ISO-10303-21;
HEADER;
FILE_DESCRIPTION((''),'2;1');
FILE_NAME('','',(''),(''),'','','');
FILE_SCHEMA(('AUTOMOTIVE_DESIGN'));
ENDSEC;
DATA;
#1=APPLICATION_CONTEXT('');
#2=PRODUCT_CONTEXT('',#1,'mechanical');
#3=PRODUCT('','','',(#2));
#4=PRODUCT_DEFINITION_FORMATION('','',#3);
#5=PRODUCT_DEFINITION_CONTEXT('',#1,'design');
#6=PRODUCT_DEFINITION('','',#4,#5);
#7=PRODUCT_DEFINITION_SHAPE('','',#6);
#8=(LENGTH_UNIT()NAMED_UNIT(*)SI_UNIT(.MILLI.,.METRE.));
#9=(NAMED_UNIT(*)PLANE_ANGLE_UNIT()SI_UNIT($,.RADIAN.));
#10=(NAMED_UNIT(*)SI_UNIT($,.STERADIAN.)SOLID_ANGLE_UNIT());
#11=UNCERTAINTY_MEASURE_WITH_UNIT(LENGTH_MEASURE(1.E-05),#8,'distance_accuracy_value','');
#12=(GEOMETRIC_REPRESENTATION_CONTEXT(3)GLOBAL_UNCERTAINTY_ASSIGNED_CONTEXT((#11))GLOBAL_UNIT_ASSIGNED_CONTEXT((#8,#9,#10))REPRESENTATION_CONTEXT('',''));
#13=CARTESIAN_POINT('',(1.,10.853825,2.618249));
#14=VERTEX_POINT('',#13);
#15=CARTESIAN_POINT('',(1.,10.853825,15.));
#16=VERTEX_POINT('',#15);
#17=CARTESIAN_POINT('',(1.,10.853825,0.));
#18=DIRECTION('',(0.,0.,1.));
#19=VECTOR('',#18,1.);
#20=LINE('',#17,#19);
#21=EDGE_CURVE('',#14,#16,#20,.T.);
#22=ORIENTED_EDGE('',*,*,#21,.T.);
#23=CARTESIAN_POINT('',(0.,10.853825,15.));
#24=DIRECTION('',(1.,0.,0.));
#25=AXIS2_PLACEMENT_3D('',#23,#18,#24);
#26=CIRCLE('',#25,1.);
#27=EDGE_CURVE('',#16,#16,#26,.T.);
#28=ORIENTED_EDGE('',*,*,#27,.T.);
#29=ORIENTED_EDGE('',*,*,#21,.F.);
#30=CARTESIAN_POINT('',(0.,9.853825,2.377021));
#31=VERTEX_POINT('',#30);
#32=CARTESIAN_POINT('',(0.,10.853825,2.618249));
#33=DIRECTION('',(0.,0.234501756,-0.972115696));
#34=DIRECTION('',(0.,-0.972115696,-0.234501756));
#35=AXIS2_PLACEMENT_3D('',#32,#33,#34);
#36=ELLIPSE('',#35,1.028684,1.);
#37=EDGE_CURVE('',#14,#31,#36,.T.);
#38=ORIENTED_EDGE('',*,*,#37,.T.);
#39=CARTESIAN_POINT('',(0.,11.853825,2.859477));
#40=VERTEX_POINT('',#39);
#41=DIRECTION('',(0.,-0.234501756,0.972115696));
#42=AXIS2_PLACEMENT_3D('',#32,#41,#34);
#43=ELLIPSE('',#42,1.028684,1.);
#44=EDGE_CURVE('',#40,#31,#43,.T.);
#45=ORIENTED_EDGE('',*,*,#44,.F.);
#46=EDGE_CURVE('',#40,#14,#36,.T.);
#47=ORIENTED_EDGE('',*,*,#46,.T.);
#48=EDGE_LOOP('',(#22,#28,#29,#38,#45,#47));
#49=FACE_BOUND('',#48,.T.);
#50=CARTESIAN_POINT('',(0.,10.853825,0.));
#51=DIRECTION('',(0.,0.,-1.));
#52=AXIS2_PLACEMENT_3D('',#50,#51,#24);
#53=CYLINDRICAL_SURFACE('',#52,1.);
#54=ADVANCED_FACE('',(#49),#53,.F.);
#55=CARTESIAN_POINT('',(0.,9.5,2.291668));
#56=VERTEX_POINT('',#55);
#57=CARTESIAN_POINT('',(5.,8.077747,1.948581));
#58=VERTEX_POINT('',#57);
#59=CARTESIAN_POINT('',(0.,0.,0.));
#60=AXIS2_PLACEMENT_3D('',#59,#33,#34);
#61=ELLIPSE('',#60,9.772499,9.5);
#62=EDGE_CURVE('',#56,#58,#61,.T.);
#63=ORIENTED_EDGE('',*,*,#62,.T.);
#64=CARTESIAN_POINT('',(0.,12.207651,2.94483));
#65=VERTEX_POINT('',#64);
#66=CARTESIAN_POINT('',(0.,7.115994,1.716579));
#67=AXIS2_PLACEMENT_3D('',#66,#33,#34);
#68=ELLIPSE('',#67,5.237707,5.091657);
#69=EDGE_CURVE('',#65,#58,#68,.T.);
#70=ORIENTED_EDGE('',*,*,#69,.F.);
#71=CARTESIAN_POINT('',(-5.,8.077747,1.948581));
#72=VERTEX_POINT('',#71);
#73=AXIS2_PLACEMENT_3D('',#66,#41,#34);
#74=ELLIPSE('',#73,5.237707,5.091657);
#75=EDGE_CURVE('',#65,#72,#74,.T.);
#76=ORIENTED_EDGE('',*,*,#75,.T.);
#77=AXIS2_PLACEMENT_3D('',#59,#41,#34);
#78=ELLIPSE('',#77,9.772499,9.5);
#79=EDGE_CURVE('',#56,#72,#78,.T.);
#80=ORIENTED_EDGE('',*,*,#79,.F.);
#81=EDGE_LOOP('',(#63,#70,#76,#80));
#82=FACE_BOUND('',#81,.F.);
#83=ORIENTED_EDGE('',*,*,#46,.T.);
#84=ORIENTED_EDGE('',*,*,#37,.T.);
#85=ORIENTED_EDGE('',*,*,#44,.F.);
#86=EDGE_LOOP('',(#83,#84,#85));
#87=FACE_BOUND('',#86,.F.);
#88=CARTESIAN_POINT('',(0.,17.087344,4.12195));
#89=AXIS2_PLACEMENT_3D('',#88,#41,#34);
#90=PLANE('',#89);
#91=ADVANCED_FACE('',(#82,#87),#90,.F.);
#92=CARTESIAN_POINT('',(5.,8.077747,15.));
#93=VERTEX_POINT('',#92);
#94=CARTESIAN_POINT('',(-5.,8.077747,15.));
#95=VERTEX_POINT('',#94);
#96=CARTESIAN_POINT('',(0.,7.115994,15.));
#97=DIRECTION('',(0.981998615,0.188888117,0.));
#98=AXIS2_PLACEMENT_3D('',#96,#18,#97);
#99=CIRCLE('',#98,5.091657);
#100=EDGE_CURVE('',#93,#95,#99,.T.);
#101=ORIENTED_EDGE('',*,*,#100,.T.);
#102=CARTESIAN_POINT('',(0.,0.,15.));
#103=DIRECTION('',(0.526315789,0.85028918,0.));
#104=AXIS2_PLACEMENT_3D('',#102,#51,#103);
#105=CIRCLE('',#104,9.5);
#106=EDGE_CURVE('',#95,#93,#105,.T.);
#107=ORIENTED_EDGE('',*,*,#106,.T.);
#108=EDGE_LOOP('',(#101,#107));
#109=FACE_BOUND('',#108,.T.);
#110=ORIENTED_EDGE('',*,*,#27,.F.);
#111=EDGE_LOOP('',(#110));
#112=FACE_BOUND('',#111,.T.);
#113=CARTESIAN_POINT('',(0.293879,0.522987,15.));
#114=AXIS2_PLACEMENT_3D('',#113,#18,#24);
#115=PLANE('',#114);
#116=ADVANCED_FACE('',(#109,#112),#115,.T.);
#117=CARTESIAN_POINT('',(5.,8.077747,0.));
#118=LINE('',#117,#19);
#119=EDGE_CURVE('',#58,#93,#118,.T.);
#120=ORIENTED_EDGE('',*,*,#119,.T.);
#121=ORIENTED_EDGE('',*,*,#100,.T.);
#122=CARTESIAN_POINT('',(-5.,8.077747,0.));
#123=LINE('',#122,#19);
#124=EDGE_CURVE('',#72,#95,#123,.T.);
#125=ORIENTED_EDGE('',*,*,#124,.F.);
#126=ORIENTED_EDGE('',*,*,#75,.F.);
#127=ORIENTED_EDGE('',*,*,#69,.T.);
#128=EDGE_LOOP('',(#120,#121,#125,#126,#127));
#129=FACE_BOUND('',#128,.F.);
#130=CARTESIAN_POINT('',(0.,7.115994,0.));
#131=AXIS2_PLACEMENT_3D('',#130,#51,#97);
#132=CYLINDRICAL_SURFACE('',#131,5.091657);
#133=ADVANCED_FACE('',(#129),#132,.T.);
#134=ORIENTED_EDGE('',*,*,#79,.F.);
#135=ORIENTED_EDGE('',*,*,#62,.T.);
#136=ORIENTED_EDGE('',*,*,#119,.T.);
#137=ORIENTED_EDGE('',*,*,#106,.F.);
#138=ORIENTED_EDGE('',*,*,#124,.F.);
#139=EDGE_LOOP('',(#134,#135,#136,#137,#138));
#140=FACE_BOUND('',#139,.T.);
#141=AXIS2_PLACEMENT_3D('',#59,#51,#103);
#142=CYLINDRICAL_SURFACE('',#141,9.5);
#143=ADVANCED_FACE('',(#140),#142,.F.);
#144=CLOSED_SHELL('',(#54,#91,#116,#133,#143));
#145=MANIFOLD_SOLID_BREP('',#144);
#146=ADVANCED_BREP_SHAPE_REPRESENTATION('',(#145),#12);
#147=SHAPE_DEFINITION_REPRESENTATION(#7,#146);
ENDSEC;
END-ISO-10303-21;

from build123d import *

# Parameters (mm, degrees)
F0_R          = 1
F2_DEPTH      = 15
F3_DEPTH      = 15.001
F5_DEPTH      = 5.001
F5_DEPTH_BACK = 5.001


with BuildPart() as f2:
    # F0 (on Top) → F2 (new body)
    with BuildSketch(Plane.XY):
        with BuildLine():
            ThreePointArc((-5, 8.0777472107), (-4.6233105022, -8.2990963363), (9.5, 0))
            ThreePointArc((9.5, 0), (8.2990963363, 4.6233105022), (5, 8.0777472107))
            ThreePointArc((5, 8.0777472107), (0, 9.5), (-5, 8.0777472107))
        make_face()
        with BuildLine():
            ThreePointArc((-5, 8.0777472107), (0, 9.5), (5, 8.0777472107))
            ThreePointArc((5, 8.0777472107), (0, 12.2076506099), (-5, 8.0777472107))
        make_face()
        with Locations((0, 10.8538253049)):
            Circle(F0_R, mode=Mode.SUBTRACT)
    extrude(amount=F2_DEPTH)

    # F1 (on Top) → F3 (cut, through all)
    with BuildSketch(Plane.XY):
        with BuildLine():
            Line((-5, 0), (0, 0))
            Line((0, 0), (5, 0))
            Line((5, 0), (5, 8.0777472107))
            ThreePointArc((5, 8.0777472107), (0, 9.5), (-5, 8.0777472107))
            Line((-5, 8.0777472107), (-5, 0))
        make_face()
        with BuildLine():
            Line((5, 0), (0, 0))
            Line((0, 0), (-5, 0))
            Line((-5, 0), (-5, 8.0777472107))
            ThreePointArc((-5, 8.0777472107), (-4.6233105022, -8.2990963363), (9.5, 0))
            ThreePointArc((9.5, 0), (8.2990963363, 4.6233105022), (5, 8.0777472107))
            Line((5, 8.0777472107), (5, 0))
        make_face()
        with BuildLine():
            Line((5, 20), (5, 8.0777472107))
            ThreePointArc((5, 8.0777472107), (8.2990963363, 4.6233105022), (9.5, 0))
            ThreePointArc((9.5, 0), (-4.6233105022, -8.2990963363), (-5, 8.0777472107))
            Line((-5, 8.0777472107), (-5, 20))
            Line((-5, 20), (-15, 20))
            Line((-15, 20), (-15, -15))
            Line((-15, -15), (15, -15))
            Line((15, -15), (15, 20))
            Line((15, 20), (5, 20))
        make_face()
    extrude(amount=F3_DEPTH, mode=Mode.SUBTRACT)

    # F4 (on Right) → F5 (cut, two sides)
    with BuildSketch(Plane.YZ) as f5_sk:
        Polygon((17.0873440802, 4.1219498962), (0, 0), (17.0873440802, 0), align=None)
    extrude(amount=F5_DEPTH, mode=Mode.SUBTRACT)
    extrude(f5_sk.sketch, amount=-F5_DEPTH_BACK, mode=Mode.SUBTRACT)


solid = f2.part
